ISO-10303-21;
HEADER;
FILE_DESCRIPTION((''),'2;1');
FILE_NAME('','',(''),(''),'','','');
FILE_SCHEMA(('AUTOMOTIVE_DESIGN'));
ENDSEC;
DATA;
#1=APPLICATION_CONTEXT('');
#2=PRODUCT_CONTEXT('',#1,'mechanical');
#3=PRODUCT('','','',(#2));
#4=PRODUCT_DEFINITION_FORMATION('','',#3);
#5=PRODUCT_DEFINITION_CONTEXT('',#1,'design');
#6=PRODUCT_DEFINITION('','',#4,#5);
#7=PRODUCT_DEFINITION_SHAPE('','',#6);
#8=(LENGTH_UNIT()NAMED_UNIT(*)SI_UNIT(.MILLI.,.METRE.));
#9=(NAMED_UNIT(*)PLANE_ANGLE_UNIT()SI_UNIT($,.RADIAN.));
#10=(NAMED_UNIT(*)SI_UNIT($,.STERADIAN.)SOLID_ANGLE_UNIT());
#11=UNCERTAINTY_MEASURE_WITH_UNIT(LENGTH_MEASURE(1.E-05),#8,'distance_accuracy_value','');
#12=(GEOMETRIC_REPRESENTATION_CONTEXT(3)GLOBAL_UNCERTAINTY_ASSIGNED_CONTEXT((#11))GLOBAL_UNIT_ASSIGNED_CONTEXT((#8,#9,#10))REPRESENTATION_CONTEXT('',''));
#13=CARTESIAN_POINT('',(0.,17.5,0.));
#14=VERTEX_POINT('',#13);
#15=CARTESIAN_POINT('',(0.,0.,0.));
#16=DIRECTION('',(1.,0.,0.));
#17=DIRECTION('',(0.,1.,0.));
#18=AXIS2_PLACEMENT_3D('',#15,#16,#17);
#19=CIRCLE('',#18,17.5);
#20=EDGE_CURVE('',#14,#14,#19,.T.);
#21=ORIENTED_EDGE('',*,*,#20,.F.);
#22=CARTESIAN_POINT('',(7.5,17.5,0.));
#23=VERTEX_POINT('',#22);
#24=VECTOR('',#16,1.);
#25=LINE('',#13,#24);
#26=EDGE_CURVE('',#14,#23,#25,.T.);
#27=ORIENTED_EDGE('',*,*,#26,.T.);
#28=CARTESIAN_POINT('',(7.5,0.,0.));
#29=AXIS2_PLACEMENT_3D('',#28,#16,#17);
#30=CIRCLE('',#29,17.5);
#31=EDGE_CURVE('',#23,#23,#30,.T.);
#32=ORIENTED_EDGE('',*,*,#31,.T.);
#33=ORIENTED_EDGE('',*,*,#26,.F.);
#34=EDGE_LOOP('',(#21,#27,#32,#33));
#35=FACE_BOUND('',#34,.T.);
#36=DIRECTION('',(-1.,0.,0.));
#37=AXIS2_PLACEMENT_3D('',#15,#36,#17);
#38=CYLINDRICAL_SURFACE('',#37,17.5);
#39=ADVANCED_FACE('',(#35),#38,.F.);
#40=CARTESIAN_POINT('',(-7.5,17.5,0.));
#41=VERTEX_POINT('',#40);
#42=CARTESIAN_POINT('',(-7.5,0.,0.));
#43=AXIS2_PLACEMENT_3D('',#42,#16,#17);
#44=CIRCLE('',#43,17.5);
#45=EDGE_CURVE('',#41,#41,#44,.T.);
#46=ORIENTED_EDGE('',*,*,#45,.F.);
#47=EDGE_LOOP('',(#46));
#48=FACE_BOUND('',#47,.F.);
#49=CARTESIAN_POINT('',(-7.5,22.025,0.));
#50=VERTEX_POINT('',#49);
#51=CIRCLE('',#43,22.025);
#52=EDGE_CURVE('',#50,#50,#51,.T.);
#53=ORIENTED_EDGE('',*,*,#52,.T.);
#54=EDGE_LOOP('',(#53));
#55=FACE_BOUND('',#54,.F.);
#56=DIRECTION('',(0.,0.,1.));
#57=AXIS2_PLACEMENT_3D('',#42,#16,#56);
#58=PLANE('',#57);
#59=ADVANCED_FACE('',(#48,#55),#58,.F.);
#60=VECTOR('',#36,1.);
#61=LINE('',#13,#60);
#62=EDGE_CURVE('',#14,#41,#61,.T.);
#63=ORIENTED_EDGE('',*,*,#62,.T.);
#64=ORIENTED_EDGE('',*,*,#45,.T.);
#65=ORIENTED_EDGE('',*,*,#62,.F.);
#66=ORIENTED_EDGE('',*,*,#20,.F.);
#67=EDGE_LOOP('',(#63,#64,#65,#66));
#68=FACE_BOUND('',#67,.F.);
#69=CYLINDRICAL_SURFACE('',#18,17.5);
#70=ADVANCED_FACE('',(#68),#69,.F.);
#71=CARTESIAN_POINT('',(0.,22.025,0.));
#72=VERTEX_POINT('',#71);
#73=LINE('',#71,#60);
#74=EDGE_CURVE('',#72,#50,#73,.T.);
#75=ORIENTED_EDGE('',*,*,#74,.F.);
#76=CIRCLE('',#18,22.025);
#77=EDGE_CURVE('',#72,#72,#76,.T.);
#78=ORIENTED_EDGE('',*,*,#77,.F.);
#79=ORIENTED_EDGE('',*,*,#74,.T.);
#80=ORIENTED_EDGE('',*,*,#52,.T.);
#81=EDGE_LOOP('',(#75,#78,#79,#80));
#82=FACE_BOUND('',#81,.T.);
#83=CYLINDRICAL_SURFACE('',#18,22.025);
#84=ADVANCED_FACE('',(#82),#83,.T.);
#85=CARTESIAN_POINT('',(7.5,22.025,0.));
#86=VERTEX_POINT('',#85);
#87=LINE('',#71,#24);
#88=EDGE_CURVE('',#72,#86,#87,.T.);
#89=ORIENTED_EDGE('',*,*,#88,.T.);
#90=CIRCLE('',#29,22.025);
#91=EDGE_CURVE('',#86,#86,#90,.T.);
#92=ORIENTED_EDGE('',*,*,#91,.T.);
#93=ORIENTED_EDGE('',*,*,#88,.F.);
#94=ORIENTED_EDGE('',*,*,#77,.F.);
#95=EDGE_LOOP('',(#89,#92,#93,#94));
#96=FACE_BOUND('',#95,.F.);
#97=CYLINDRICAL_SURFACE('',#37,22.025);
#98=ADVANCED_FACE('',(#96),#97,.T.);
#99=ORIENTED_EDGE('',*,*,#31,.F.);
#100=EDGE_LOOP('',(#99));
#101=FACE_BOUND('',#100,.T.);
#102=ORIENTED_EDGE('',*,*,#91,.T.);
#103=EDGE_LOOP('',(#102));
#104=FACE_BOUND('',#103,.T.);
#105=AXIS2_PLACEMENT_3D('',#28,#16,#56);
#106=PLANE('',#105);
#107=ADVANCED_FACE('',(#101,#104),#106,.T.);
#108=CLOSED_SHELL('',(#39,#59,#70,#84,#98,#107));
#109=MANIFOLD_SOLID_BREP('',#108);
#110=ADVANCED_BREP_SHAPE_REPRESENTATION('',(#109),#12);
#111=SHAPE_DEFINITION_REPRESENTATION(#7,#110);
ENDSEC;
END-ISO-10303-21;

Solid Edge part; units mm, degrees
sketch "Sketch1" plane through (0, 0, 0) normal (1, 0, 0) x (0, 1, 0)
  circle A0 centre (0, 0) radius 17.5
  circle A1 centre (0, 0) radius 22.025
extrude "Protrusion1" add sketch "Sketch1" along normal mid plane 15
